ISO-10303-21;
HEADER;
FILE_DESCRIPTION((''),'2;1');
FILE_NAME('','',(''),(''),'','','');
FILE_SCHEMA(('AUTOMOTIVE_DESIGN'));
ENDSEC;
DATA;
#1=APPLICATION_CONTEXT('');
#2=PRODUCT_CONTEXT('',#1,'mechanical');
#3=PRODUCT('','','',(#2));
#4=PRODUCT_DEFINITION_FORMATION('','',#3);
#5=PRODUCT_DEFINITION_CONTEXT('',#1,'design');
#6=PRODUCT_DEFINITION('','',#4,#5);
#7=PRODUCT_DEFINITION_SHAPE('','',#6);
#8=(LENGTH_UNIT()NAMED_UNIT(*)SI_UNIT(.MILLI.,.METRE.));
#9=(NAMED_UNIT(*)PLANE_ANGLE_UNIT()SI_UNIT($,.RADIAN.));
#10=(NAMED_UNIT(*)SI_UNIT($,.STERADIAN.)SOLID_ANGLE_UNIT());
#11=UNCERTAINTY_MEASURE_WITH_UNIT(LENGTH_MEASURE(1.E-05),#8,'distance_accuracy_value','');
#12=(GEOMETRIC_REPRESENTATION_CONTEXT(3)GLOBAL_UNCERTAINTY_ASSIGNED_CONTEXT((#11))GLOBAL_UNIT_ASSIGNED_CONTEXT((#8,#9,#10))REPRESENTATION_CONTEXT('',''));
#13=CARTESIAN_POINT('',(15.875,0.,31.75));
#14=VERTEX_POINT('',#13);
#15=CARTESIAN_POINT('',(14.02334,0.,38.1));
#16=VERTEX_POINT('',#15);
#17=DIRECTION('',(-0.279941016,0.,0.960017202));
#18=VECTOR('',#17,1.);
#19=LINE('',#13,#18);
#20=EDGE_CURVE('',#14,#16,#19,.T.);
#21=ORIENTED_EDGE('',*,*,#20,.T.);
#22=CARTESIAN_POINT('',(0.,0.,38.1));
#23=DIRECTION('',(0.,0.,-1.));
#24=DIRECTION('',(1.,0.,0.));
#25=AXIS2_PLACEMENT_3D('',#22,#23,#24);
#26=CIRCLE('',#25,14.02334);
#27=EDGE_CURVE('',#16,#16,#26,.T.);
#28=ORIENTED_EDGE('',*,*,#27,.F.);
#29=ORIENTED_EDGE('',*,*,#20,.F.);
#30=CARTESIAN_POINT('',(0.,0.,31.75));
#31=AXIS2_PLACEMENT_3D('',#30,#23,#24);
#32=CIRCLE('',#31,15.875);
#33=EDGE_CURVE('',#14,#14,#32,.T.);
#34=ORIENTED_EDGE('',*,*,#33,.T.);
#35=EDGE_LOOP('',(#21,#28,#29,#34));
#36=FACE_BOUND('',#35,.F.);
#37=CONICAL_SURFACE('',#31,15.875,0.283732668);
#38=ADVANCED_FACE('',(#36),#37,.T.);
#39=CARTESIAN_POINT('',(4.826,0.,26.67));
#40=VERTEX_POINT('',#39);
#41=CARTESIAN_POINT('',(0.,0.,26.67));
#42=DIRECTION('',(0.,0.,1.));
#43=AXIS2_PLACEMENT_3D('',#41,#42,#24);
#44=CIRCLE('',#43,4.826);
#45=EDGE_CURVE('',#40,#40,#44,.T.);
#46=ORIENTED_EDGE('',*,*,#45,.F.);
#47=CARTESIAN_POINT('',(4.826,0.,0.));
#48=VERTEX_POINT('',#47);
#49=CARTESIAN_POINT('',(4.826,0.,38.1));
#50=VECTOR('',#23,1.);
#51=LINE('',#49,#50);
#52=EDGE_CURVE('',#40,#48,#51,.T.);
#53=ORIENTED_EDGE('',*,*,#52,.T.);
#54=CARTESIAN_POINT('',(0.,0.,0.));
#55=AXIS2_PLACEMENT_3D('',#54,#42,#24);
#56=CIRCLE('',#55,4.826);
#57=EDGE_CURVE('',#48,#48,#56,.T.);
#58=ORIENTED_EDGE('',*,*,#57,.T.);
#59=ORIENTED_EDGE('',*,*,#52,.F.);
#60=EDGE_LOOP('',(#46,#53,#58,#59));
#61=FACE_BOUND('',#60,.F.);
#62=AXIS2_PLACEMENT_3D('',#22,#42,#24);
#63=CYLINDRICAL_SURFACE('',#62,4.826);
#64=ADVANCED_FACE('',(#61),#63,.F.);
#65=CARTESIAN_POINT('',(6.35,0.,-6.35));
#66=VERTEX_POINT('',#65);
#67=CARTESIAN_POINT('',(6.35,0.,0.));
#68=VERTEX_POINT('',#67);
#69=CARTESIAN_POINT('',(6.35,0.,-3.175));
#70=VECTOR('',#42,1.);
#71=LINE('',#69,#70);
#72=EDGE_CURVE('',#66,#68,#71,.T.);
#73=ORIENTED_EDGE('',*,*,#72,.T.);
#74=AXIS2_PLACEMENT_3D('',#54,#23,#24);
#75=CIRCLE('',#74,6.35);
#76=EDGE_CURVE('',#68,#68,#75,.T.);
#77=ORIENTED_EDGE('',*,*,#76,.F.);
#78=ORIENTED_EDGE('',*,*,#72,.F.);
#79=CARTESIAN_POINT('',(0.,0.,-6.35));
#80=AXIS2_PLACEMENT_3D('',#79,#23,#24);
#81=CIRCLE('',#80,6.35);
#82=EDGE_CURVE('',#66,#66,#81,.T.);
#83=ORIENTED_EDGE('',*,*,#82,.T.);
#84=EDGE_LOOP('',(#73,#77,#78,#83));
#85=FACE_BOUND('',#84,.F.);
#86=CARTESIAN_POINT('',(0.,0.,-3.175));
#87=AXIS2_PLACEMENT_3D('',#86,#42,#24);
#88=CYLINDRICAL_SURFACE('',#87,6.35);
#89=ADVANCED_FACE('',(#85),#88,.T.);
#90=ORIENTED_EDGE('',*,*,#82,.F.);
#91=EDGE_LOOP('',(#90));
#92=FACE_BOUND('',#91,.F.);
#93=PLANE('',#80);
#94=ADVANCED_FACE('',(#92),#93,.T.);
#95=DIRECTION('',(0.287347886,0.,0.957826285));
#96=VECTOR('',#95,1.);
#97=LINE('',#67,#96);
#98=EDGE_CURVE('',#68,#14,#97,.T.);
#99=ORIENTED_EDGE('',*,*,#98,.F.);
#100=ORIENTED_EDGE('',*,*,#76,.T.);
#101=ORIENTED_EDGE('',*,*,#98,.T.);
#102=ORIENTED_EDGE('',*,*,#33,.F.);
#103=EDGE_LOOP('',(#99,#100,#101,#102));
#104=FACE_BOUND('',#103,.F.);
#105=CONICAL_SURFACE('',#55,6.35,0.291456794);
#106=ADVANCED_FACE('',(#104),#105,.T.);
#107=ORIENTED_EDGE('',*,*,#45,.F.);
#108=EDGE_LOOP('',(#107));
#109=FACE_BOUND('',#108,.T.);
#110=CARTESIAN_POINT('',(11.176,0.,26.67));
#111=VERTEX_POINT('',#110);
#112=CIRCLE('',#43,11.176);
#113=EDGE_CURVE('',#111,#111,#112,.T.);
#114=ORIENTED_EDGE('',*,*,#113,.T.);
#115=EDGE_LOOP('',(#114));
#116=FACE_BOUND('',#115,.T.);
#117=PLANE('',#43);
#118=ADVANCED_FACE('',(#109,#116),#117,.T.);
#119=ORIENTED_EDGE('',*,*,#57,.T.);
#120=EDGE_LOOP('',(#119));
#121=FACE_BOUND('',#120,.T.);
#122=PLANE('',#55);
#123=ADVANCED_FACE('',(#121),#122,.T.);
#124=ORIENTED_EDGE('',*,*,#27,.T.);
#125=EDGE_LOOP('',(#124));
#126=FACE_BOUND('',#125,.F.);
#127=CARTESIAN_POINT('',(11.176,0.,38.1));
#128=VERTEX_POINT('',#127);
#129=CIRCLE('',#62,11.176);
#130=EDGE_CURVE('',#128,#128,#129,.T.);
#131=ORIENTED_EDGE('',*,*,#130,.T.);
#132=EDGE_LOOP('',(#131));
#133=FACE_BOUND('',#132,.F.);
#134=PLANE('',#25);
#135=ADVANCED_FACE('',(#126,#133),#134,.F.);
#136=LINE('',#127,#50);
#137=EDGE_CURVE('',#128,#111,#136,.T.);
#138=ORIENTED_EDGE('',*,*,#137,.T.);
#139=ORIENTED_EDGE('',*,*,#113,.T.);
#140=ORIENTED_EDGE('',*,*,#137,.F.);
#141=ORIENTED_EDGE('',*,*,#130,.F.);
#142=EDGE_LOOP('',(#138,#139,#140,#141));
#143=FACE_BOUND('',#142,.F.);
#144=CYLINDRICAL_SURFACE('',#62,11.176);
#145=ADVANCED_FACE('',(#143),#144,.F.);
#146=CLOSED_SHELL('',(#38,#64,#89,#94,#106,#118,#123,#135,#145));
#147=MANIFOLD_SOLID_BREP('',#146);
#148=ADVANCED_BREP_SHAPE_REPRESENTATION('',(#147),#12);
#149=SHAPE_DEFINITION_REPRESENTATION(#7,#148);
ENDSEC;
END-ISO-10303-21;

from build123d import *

# Parameters (mm, degrees)
F0_W     = 6.35
F0_H     = 6.35
F2_R     = 11.176
F3_DEPTH = 11.43
F4_R     = 4.826
F5_DEPTH = 38.1


with BuildPart() as f1:
    # F0 (on Front) → F1 (revolve)
    with BuildSketch(Plane.XZ):
        Polygon((0, 38.1), (0, 0), (6.35, 0), (15.875, 31.75), (14.02334, 38.1), align=None)
        with Locations((3.175, -3.175)):
            Rectangle(F0_W, F0_H)
    revolve(axis=Axis((0, 0, 19.05), (0, 0, -1)))

    # F2 (on face) → F3 (cut)
    with BuildSketch(Plane.XY.offset(38.1)):
        Circle(F2_R)
    extrude(amount=-F3_DEPTH, mode=Mode.SUBTRACT)

    # F4 (on face) → F5 (cut)
    with BuildSketch(Plane.XY.offset(38.1)):
        Circle(F4_R)
    extrude(amount=-F5_DEPTH, mode=Mode.SUBTRACT)


solid = f1.part
